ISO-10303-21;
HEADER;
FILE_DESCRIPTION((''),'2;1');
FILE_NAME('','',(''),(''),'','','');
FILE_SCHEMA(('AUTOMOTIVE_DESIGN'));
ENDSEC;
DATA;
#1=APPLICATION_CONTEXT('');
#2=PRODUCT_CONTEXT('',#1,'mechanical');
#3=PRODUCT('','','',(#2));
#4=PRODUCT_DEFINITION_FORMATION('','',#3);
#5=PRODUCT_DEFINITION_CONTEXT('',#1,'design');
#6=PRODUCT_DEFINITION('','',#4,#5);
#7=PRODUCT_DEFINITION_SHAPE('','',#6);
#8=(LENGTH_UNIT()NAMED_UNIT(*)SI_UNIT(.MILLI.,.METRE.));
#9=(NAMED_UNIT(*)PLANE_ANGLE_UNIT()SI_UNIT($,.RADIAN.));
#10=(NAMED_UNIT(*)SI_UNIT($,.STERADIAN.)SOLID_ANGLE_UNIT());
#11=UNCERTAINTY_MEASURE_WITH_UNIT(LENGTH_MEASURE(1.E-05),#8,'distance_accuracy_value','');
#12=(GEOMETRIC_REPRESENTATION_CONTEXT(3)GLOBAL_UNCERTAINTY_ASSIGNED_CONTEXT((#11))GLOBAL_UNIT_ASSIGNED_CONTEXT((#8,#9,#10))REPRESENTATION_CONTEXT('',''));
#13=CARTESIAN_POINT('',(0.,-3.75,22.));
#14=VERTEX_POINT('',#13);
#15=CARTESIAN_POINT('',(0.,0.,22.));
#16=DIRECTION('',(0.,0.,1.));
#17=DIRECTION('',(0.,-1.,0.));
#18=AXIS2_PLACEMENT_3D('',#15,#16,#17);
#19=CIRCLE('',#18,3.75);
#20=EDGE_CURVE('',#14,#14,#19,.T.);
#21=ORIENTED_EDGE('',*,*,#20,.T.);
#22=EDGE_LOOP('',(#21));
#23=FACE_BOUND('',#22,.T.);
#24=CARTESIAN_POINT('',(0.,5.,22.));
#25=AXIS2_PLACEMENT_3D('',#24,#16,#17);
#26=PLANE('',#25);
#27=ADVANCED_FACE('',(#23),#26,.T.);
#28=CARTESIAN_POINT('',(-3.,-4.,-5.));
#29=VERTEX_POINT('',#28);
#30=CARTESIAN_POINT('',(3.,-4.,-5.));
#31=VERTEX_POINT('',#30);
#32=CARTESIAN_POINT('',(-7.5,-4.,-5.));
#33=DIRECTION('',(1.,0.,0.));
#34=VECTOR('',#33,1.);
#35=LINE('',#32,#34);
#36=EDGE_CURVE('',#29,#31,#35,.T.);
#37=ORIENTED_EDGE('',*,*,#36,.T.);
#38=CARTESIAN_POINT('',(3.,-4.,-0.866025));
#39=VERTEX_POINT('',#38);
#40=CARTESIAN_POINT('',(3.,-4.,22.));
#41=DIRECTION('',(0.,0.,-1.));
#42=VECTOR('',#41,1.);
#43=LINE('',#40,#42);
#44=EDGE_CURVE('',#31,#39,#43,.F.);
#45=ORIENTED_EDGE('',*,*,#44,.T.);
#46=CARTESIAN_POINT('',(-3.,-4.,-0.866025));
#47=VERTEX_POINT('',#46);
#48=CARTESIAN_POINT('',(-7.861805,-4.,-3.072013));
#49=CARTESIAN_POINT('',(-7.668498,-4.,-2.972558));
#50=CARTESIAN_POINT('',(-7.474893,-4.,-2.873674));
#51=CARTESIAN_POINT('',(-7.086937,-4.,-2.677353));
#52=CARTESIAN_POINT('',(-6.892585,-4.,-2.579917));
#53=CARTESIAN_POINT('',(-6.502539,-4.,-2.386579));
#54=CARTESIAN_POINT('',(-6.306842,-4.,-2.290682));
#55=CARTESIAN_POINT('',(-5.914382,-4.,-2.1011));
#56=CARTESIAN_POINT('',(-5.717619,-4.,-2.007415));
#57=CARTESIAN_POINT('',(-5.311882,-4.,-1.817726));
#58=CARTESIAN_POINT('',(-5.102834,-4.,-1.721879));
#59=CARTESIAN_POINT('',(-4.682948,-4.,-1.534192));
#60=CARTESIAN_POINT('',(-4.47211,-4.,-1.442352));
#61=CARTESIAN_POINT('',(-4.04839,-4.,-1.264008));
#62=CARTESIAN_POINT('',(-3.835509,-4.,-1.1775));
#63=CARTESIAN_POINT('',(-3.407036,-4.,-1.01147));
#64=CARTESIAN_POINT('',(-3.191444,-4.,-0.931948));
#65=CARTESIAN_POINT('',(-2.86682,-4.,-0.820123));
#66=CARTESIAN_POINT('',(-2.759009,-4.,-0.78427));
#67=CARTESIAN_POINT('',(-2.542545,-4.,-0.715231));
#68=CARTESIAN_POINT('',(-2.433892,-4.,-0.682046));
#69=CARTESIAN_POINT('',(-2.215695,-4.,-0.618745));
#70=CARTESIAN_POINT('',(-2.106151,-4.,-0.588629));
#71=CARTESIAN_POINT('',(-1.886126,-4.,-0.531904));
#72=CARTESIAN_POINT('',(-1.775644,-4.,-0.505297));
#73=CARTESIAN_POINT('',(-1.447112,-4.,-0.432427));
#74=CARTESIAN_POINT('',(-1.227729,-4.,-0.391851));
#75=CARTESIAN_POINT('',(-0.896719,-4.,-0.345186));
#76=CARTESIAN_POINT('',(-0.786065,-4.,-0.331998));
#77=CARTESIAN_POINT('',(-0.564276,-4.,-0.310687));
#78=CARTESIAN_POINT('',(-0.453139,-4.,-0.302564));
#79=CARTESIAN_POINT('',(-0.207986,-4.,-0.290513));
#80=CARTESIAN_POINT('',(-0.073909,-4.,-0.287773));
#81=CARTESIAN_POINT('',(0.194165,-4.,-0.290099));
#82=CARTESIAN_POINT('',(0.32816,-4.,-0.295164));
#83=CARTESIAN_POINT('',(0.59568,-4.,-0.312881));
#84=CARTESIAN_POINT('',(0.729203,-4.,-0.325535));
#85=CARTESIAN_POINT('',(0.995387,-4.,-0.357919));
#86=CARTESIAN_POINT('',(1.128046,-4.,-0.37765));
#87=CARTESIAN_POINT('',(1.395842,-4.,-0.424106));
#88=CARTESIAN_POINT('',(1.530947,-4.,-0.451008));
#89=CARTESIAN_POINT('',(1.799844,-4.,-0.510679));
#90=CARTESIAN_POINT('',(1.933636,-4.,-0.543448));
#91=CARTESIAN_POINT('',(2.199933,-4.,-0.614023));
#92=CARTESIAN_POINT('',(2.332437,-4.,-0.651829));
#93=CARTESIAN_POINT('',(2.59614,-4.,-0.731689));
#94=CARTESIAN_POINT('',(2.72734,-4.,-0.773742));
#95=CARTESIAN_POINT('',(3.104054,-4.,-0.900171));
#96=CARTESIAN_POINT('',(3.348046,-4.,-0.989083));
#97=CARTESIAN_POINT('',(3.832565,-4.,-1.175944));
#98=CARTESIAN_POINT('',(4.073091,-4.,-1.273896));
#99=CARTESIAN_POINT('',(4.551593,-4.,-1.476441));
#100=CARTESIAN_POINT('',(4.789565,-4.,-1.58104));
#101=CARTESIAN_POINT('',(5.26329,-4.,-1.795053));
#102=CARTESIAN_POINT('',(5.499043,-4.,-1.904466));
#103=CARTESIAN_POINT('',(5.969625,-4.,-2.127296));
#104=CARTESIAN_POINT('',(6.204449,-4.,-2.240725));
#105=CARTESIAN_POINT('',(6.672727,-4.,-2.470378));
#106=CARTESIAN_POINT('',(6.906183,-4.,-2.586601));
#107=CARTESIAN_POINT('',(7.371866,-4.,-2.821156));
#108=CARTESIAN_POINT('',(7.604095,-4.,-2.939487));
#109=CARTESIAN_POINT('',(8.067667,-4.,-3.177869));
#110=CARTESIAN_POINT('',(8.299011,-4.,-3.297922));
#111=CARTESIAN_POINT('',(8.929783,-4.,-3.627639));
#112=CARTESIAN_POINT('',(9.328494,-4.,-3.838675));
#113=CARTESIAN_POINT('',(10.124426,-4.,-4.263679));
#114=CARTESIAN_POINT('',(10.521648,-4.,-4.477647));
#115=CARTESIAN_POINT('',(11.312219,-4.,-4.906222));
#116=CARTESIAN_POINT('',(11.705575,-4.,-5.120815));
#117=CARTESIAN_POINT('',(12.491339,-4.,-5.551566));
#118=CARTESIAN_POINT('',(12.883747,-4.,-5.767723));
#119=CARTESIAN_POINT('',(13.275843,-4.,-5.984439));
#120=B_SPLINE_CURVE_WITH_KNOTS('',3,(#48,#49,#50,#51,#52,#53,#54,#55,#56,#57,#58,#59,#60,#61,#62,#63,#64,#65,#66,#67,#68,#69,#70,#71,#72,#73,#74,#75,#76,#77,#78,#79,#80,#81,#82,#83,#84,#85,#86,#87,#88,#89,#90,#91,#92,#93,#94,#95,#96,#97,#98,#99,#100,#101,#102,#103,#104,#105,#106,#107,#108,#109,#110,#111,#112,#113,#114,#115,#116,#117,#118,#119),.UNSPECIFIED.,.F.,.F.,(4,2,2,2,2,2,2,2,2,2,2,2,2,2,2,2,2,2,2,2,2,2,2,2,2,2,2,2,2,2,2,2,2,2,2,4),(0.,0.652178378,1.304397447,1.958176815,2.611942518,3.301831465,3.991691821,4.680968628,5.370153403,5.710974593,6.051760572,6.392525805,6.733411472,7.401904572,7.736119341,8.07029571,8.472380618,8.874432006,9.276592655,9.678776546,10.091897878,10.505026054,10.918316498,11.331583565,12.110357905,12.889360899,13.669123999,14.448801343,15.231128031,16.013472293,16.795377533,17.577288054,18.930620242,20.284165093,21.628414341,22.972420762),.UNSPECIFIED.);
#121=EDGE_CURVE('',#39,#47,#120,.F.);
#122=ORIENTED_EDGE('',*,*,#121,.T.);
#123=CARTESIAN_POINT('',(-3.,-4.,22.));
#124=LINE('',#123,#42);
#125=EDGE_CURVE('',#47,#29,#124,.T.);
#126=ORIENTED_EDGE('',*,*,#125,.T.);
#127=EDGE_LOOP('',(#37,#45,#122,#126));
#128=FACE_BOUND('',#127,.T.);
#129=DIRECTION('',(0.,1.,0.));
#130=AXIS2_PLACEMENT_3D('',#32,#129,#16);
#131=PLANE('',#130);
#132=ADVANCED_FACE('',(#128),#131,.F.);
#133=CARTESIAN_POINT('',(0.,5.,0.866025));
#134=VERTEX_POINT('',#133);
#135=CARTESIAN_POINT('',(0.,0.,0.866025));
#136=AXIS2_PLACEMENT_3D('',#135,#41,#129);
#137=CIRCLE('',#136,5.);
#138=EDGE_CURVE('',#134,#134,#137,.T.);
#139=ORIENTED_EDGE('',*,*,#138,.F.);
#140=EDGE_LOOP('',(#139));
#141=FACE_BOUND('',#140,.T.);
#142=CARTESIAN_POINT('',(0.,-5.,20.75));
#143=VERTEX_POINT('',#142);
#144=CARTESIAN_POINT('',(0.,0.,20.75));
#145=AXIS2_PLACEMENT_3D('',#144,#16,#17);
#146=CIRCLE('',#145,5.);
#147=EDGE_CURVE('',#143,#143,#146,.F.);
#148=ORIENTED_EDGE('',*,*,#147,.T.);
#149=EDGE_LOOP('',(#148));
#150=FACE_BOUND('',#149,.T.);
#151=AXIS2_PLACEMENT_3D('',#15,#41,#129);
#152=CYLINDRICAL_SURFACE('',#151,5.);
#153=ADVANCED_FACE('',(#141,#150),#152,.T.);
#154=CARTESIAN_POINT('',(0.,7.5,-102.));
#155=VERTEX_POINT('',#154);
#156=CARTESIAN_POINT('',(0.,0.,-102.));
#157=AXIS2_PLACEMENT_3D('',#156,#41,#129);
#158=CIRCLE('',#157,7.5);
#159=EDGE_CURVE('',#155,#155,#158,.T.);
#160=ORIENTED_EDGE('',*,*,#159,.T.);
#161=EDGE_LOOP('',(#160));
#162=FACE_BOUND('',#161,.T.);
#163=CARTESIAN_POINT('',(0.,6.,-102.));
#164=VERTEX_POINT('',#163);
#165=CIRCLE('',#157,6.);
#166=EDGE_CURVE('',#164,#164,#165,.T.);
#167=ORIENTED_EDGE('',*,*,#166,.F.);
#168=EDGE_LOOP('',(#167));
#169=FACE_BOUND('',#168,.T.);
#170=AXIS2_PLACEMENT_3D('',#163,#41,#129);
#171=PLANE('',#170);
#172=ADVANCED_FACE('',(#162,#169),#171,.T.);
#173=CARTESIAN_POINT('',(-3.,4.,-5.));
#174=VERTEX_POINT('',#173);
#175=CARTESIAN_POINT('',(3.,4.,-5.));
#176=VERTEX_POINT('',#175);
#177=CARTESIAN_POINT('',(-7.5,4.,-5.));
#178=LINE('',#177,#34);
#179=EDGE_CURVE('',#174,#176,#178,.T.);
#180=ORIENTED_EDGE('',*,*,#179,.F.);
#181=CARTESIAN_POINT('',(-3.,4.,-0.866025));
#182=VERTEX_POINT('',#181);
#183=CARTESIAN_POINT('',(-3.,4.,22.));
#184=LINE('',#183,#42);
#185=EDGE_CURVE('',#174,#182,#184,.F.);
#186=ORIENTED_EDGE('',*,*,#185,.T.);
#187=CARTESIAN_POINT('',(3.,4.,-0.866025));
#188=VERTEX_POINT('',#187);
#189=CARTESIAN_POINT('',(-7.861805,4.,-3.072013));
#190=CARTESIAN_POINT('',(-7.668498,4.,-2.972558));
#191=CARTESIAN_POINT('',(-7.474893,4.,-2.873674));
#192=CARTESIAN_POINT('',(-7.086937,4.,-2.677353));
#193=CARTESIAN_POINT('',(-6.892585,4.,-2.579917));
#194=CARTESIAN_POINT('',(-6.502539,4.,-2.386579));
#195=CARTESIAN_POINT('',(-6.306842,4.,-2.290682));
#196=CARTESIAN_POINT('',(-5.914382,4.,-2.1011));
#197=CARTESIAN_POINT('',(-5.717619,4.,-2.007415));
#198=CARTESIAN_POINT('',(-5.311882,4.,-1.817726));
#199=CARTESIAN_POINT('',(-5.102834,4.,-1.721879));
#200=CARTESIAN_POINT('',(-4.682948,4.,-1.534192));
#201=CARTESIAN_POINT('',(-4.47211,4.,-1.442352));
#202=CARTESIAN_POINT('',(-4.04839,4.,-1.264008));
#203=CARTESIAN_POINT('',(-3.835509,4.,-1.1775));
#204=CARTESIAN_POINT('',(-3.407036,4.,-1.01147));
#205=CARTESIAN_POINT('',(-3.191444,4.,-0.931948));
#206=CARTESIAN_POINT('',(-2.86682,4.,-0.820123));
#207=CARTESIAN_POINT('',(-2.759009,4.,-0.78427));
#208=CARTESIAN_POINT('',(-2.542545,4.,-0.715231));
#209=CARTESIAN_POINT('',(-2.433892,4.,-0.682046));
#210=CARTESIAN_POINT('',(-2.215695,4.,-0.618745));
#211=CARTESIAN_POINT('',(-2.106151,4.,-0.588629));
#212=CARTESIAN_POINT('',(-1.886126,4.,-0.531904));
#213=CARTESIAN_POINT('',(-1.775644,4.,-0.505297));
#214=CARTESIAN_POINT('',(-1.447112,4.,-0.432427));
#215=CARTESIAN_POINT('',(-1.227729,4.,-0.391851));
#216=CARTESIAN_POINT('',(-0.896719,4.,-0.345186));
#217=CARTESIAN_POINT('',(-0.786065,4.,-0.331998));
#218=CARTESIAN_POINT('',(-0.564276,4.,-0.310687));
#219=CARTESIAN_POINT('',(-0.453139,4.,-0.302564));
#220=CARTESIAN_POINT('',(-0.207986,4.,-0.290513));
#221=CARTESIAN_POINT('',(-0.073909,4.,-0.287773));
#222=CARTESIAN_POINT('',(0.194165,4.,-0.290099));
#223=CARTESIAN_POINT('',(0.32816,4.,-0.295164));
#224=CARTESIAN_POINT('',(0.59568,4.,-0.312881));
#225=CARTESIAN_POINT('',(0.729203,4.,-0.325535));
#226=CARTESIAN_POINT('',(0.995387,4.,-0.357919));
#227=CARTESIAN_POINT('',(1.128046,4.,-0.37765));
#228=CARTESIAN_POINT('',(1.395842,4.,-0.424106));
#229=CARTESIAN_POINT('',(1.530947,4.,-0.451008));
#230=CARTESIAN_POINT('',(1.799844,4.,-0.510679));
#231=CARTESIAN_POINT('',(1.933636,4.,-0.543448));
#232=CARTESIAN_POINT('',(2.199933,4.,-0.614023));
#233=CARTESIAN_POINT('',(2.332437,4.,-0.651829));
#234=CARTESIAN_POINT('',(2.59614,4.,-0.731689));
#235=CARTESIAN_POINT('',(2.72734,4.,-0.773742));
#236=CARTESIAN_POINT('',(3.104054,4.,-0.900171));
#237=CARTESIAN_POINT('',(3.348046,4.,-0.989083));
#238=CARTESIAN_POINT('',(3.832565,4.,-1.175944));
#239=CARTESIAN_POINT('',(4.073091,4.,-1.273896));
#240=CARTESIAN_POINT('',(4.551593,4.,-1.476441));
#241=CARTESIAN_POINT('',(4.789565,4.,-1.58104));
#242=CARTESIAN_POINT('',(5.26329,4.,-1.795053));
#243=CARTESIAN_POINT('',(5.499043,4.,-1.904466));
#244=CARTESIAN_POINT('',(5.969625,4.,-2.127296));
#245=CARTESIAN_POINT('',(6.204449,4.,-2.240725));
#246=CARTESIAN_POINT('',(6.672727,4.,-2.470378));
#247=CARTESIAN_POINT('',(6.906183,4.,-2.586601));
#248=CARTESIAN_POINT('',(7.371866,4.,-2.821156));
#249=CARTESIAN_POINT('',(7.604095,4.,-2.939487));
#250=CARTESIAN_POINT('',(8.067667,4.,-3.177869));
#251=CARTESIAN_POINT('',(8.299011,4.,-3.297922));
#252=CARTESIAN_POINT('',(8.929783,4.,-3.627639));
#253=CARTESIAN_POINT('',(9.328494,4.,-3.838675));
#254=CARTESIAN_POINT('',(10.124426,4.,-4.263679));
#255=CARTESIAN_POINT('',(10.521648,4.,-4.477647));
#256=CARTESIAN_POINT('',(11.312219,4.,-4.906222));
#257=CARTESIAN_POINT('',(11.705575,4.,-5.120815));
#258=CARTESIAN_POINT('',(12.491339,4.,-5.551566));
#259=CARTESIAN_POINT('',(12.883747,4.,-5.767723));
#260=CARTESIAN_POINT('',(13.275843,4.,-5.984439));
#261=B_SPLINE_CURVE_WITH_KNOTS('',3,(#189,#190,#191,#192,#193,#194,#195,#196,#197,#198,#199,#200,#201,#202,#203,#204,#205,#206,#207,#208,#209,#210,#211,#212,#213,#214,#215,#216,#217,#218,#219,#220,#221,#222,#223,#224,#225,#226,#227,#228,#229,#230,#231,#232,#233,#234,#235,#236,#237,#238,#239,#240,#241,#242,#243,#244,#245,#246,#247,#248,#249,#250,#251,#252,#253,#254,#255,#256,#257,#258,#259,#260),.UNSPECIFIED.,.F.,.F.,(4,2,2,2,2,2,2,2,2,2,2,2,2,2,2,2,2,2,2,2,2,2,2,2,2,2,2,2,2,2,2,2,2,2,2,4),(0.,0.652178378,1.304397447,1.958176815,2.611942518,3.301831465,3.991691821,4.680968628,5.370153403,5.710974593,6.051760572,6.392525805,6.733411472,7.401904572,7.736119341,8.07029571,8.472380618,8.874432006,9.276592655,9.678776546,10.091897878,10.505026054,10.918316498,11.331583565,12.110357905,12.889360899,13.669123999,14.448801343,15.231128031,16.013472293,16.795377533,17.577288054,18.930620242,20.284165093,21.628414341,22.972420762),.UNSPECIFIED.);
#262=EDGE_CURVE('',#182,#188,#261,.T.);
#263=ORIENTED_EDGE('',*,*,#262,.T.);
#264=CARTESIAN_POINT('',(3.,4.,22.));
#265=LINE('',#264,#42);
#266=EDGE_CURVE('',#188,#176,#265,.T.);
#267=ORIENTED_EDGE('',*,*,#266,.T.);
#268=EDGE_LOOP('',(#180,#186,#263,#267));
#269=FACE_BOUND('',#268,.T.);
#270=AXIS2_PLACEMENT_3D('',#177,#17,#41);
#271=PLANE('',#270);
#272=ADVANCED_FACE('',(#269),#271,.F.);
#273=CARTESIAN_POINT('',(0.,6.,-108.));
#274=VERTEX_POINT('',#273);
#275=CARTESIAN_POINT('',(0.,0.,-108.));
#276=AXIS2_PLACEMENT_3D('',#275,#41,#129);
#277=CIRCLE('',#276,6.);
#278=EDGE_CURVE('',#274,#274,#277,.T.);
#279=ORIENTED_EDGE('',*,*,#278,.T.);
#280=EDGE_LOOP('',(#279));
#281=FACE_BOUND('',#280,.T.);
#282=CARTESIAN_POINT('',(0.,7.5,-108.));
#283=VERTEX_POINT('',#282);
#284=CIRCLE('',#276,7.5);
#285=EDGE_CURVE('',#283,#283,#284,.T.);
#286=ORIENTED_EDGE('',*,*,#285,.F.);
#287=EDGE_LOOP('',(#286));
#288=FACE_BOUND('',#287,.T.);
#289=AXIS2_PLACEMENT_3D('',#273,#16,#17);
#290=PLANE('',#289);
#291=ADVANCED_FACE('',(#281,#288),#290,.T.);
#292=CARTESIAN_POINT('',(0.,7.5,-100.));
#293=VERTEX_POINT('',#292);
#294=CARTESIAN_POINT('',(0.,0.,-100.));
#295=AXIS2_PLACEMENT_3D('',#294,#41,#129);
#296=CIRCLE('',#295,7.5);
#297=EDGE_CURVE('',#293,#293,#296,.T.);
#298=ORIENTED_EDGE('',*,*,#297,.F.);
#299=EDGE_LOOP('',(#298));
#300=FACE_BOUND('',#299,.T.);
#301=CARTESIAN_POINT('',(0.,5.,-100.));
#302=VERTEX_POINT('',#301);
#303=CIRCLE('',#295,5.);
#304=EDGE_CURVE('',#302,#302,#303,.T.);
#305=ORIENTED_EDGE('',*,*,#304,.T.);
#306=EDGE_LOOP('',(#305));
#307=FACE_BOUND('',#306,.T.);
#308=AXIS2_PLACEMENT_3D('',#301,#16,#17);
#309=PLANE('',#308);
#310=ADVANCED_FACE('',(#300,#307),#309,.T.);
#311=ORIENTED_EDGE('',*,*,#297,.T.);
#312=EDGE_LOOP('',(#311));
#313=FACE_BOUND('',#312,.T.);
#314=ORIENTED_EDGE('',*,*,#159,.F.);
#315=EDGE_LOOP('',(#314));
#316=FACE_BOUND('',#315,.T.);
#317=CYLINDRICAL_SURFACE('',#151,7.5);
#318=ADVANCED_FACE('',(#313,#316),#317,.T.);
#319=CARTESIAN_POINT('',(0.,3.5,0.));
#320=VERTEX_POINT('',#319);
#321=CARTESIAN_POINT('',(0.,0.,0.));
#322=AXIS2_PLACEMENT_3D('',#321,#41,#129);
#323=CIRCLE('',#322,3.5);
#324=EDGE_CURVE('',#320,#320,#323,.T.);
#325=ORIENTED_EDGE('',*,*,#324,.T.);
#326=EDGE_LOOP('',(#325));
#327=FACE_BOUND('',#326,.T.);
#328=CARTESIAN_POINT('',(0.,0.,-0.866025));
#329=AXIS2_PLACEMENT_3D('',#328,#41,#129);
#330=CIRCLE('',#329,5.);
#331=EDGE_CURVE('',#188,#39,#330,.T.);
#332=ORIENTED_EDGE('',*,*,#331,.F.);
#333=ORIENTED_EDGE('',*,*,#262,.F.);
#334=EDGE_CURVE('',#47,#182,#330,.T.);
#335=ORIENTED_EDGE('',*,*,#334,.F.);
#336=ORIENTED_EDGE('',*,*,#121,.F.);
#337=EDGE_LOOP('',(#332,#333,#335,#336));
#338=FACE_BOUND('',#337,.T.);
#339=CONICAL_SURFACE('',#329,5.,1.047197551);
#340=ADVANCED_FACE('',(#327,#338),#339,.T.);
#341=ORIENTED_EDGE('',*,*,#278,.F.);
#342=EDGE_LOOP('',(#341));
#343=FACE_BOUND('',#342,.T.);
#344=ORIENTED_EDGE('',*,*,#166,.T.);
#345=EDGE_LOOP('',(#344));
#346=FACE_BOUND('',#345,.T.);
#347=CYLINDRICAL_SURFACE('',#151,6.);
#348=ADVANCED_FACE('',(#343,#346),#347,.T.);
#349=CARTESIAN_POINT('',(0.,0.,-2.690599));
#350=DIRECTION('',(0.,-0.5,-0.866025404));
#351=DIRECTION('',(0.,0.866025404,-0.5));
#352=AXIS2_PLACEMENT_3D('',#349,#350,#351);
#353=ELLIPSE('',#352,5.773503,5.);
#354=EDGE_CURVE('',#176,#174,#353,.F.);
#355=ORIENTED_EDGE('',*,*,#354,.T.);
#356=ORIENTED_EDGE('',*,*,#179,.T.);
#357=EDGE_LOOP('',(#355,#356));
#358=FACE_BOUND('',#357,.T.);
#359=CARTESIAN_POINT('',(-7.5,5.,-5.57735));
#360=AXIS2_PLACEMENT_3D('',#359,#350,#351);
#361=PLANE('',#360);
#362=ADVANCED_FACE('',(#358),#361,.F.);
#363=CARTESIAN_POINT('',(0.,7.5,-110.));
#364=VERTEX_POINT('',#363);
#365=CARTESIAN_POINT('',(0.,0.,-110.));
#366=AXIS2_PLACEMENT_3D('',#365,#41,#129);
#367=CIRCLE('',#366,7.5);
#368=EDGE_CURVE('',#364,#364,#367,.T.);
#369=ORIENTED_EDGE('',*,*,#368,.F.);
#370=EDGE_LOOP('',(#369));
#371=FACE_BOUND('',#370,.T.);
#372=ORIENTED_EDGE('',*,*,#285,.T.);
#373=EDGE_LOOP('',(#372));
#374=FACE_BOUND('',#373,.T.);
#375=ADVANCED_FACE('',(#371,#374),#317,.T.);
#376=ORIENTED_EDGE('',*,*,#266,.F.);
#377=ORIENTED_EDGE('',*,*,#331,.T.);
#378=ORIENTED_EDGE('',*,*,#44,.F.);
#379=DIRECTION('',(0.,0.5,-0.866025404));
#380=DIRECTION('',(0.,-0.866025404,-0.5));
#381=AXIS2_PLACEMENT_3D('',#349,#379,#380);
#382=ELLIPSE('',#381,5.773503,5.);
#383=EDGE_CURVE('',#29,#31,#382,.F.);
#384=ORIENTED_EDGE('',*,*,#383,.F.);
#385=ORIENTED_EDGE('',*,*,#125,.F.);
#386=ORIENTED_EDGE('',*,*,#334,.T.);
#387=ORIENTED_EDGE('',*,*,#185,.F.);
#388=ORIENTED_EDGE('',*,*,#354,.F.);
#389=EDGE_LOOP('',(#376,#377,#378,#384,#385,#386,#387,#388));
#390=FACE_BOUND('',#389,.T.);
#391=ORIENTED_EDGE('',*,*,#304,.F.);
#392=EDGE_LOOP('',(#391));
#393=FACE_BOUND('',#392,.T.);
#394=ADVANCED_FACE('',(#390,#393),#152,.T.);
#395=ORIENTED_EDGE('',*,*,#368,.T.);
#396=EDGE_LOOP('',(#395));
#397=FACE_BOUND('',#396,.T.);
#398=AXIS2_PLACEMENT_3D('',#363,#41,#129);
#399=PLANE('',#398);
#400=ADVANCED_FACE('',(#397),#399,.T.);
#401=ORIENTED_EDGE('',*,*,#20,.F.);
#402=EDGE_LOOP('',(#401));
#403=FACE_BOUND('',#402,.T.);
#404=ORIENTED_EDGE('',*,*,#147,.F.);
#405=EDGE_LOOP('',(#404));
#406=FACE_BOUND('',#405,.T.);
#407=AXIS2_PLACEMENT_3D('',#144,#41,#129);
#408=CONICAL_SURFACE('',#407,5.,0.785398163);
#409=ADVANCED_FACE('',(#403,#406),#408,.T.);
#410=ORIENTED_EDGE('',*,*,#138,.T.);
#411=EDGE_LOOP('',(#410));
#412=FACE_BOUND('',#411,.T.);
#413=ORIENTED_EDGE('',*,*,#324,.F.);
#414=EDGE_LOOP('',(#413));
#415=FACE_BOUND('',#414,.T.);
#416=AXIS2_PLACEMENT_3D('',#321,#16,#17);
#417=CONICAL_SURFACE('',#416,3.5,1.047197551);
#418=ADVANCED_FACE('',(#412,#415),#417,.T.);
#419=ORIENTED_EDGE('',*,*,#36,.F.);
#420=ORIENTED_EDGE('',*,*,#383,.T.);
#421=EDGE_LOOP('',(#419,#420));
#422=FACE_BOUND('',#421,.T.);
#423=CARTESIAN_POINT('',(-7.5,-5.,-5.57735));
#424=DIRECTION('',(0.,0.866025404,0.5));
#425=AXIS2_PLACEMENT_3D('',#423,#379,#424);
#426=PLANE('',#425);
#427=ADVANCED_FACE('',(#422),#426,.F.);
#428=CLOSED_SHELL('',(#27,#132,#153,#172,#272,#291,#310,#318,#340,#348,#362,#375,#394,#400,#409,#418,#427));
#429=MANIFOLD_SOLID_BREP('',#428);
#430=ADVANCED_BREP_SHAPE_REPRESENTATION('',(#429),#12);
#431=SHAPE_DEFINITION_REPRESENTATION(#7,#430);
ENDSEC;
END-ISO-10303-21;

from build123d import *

# Parameters (mm, degrees)
SMUSSO1_SIZE                  = 1.25
TAGLIO_ESTRUSIONE1_DEPTH      = 8.5
TAGLIO_ESTRUSIONE1_DEPTH_BACK = 8.5


with BuildPart() as part:
    # Schizzo1 → Rivoluzione1 (revolve)
    with BuildSketch(Plane(origin=(0, 0, 0), x_dir=(0, 0, -1), z_dir=(1, 0, 0))):
        Polygon((0, 0), (-22, 0), (-22, 5), (-0.866025404, 5), (0, 3.5), (0.866025404, 5), (100, 5), (100, 7.5), (102, 7.5), (102, 6), (108, 6), (108, 7.5), (110, 7.5), (110, 0), align=None)
    revolve(axis=Axis((0, 0, 22), (0, 0, 1)))

    # Smusso1
    smusso1_edges = [part.edges().sort_by_distance(p)[0] for p in [
        (0, -5, 22),
    ]]
    chamfer(smusso1_edges, length=SMUSSO1_SIZE)

    # Schizzo2 → Taglio-Estrusione1 (cut, two sides)
    with BuildSketch(Plane(origin=(0, 0, 0), x_dir=(0, 0, -1), z_dir=(1, 0, 0))) as taglio_estrusione1_sk:
        Polygon((5.577350269, 5), (0, 5), (0, 4), (5, 4), align=None)
        Polygon((0, -5), (0, -4), (5, -4), (5.577350269, -5), align=None)
    extrude(amount=TAGLIO_ESTRUSIONE1_DEPTH, mode=Mode.SUBTRACT)
    extrude(taglio_estrusione1_sk.sketch, amount=-TAGLIO_ESTRUSIONE1_DEPTH_BACK, mode=Mode.SUBTRACT)


solid = part.part
